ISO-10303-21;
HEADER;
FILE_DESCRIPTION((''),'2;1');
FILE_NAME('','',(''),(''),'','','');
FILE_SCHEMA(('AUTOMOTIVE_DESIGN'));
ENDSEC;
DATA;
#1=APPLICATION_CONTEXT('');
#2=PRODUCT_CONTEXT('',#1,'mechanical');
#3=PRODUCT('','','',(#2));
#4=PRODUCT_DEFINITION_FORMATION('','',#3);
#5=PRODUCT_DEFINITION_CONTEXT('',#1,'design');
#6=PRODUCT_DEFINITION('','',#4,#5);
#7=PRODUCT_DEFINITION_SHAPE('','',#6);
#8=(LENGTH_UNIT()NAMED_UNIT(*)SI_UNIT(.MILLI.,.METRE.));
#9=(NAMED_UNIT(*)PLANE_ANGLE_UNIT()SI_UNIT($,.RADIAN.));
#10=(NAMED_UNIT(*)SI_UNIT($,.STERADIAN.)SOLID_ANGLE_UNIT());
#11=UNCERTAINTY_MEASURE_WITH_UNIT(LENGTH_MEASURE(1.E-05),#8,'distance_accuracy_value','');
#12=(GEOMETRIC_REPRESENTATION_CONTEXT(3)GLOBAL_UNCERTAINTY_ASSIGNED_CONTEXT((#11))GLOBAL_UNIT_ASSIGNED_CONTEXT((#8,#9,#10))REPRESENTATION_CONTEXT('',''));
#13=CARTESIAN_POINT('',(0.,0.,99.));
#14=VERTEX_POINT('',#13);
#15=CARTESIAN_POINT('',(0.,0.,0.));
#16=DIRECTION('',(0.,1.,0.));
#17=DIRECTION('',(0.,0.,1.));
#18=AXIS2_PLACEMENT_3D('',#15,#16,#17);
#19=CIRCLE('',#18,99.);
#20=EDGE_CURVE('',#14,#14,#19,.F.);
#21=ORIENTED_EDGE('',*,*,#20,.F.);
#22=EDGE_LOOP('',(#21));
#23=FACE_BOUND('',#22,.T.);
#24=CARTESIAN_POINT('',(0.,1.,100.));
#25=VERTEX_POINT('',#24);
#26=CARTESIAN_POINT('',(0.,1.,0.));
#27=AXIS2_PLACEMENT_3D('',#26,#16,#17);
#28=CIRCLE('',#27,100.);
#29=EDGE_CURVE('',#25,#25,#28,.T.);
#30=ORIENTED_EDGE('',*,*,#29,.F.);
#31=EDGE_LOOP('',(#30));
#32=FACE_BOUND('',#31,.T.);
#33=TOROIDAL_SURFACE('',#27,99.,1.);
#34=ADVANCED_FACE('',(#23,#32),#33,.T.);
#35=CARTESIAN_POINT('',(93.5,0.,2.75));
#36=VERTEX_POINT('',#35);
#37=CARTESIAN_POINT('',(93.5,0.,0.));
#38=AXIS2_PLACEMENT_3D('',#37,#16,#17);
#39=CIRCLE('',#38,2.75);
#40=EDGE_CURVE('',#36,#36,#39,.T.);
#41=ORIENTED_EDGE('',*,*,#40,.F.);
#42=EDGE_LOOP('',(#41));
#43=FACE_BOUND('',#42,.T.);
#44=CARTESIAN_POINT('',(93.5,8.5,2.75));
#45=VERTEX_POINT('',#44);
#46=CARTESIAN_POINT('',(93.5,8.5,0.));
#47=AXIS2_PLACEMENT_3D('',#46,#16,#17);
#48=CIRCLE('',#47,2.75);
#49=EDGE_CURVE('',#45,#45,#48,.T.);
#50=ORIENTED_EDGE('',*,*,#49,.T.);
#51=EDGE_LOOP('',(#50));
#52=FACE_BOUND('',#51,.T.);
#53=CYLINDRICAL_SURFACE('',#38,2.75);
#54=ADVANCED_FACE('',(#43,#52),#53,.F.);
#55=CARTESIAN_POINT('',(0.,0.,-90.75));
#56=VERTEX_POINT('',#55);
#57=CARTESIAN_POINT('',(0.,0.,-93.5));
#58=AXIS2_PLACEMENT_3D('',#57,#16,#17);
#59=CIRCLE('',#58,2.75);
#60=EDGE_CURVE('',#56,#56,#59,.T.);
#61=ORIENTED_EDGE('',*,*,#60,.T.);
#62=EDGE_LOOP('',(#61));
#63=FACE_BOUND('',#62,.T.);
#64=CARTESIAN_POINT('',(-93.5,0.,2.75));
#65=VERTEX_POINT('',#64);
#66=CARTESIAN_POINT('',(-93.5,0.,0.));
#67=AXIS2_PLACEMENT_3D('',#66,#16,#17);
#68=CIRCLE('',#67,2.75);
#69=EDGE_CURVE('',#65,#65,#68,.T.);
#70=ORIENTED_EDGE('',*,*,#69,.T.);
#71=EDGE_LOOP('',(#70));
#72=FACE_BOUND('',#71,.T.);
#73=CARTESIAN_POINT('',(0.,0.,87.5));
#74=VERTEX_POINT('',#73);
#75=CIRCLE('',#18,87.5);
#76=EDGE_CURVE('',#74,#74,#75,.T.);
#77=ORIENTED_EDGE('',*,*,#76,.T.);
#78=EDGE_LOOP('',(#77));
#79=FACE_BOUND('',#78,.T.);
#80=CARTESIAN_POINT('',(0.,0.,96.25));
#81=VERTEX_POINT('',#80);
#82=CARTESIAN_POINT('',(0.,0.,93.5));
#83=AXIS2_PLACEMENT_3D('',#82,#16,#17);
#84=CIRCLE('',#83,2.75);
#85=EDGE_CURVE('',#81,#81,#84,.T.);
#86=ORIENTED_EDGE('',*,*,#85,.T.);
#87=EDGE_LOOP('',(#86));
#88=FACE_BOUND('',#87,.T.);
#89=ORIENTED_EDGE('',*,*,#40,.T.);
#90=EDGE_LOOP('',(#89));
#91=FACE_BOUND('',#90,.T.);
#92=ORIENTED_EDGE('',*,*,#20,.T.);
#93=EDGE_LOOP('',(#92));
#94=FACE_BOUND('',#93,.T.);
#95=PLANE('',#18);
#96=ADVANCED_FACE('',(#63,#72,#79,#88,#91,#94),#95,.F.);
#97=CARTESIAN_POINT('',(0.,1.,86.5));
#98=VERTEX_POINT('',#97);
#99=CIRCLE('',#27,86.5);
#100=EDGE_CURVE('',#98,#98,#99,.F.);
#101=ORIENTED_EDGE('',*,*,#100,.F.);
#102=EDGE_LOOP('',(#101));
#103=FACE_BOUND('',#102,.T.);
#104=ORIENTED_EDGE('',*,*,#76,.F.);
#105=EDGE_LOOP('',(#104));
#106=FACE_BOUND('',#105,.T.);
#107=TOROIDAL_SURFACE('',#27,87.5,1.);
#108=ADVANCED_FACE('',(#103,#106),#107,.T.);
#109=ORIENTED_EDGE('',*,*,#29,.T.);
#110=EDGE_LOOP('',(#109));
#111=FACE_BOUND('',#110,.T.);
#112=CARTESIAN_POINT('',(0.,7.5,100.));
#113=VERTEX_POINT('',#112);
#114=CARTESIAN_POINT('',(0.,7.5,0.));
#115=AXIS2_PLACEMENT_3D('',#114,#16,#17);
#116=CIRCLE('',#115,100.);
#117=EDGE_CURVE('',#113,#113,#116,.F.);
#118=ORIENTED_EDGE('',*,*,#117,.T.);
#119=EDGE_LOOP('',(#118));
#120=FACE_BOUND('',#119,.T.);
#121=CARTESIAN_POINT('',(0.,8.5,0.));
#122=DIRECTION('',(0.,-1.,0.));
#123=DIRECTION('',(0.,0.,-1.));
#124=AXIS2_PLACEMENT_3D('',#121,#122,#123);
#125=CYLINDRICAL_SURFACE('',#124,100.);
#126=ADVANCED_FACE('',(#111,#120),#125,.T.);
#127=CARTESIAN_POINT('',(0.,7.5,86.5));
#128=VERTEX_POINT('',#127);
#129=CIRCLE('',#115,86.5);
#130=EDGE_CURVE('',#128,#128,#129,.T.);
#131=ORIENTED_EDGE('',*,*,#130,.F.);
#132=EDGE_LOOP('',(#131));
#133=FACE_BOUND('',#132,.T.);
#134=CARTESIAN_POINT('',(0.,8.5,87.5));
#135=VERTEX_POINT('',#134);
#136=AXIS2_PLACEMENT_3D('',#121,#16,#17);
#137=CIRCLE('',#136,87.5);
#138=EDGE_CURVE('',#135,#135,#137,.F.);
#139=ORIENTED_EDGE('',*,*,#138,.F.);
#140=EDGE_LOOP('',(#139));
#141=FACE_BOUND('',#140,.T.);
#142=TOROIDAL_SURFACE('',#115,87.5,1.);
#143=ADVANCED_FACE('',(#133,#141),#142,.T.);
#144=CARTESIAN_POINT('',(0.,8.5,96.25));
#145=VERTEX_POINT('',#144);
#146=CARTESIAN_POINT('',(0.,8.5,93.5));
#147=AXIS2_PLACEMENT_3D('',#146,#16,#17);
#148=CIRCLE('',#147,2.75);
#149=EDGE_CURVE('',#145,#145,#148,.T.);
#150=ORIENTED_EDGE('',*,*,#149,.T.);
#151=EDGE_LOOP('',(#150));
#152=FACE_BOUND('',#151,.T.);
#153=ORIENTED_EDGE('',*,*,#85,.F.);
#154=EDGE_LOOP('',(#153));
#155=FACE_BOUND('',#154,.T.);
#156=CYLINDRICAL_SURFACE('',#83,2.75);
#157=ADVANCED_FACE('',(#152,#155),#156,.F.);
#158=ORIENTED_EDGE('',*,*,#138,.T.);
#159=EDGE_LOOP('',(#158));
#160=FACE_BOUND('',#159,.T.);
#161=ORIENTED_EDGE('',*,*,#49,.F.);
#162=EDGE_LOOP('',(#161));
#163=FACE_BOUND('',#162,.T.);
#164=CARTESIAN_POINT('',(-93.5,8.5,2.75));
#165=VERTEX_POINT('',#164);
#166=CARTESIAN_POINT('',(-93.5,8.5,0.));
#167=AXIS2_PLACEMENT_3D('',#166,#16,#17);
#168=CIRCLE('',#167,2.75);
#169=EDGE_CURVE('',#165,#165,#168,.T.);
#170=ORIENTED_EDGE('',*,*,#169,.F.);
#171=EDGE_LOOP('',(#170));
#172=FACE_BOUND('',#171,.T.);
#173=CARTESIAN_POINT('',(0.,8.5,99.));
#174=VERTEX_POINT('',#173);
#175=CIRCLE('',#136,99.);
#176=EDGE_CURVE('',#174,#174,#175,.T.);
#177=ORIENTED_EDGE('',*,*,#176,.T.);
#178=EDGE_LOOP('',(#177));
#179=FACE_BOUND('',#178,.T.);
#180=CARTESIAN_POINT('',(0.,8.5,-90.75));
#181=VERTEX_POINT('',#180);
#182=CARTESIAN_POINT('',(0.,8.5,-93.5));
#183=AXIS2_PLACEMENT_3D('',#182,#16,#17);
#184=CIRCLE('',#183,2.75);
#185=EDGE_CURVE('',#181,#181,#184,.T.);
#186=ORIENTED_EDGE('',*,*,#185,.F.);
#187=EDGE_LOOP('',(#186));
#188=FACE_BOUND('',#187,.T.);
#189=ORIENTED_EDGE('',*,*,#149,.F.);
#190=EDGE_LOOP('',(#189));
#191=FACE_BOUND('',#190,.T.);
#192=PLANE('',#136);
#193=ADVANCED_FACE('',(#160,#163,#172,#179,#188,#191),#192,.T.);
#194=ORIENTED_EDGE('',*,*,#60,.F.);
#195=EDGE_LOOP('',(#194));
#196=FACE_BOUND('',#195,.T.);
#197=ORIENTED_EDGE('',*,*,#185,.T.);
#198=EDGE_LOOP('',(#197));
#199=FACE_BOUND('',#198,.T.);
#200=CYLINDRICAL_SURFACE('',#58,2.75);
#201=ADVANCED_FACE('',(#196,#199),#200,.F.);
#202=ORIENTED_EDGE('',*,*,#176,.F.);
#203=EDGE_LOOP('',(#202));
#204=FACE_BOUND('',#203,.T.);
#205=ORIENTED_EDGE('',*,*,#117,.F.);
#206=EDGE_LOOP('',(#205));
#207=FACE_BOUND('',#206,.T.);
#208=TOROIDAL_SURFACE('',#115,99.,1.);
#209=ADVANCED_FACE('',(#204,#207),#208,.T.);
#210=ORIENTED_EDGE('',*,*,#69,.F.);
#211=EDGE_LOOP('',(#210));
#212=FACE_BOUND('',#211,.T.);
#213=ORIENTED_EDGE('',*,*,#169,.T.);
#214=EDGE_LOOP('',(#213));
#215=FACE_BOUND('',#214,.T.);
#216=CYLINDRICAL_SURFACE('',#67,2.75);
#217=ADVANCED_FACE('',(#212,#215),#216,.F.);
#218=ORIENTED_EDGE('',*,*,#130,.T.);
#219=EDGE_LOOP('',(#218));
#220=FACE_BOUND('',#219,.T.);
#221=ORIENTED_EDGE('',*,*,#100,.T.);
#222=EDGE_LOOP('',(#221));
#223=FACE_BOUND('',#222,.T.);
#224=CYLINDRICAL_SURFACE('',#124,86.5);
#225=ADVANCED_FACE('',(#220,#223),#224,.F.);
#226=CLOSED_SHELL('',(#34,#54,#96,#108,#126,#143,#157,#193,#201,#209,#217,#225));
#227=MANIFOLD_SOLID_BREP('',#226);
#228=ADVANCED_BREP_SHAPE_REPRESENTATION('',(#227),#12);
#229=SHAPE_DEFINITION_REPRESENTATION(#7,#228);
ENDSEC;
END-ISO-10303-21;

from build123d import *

# Parameters (mm, degrees)
SKETCH1_R           = 100
SKETCH1_R_2         = 86.5
BOSS_EXTRUDE1_DEPTH = 8.5
FILLET1_R           = 1
SKETCH2_R           = 2.75
CUT_EXTRUDE1_DEPTH  = 142.676568423


with BuildPart() as part:
    # Sketch1 → Boss-Extrude1 (new body)
    with BuildSketch(Plane(origin=(0, 0, 0), x_dir=(1, 0, 0), z_dir=(0, 1, 0))):
        with Locations(Location((0, 0, 0), (0, 0, 270))):
            Circle(SKETCH1_R)
        with Locations(Location((0, 0, 0), (0, 0, 270))):
            Circle(SKETCH1_R_2, mode=Mode.SUBTRACT)
    extrude(amount=BOSS_EXTRUDE1_DEPTH)

    # Fillet1
    fillet1_edges = [part.edges().sort_by_distance(p)[0] for p in [
        (0, 0, -100),
        (0, 8.5, -100),
        (0, 0, -86.5),
        (0, 8.5, -86.5),
    ]]
    fillet(fillet1_edges, radius=FILLET1_R)

    # Sketch2 → Cut-Extrude1 (cut, through all)
    with BuildSketch(Plane(origin=(0, 8.5, 0), x_dir=(1, 0, 0), z_dir=(0, 1, 0))):
        with Locations(Location((0, 93.5, 0), (0, 0, 270))):
            Circle(SKETCH2_R)
        with Locations(Location((93.5, 0, 0), (0, 0, 270))):
            Circle(SKETCH2_R)
        with Locations(Location((0, -93.5, 0), (0, 0, 270))):
            Circle(SKETCH2_R)
        with Locations(Location((-93.5, 0, 0), (0, 0, 270))):
            Circle(SKETCH2_R)
    extrude(amount=-CUT_EXTRUDE1_DEPTH, mode=Mode.SUBTRACT)


solid = part.part
